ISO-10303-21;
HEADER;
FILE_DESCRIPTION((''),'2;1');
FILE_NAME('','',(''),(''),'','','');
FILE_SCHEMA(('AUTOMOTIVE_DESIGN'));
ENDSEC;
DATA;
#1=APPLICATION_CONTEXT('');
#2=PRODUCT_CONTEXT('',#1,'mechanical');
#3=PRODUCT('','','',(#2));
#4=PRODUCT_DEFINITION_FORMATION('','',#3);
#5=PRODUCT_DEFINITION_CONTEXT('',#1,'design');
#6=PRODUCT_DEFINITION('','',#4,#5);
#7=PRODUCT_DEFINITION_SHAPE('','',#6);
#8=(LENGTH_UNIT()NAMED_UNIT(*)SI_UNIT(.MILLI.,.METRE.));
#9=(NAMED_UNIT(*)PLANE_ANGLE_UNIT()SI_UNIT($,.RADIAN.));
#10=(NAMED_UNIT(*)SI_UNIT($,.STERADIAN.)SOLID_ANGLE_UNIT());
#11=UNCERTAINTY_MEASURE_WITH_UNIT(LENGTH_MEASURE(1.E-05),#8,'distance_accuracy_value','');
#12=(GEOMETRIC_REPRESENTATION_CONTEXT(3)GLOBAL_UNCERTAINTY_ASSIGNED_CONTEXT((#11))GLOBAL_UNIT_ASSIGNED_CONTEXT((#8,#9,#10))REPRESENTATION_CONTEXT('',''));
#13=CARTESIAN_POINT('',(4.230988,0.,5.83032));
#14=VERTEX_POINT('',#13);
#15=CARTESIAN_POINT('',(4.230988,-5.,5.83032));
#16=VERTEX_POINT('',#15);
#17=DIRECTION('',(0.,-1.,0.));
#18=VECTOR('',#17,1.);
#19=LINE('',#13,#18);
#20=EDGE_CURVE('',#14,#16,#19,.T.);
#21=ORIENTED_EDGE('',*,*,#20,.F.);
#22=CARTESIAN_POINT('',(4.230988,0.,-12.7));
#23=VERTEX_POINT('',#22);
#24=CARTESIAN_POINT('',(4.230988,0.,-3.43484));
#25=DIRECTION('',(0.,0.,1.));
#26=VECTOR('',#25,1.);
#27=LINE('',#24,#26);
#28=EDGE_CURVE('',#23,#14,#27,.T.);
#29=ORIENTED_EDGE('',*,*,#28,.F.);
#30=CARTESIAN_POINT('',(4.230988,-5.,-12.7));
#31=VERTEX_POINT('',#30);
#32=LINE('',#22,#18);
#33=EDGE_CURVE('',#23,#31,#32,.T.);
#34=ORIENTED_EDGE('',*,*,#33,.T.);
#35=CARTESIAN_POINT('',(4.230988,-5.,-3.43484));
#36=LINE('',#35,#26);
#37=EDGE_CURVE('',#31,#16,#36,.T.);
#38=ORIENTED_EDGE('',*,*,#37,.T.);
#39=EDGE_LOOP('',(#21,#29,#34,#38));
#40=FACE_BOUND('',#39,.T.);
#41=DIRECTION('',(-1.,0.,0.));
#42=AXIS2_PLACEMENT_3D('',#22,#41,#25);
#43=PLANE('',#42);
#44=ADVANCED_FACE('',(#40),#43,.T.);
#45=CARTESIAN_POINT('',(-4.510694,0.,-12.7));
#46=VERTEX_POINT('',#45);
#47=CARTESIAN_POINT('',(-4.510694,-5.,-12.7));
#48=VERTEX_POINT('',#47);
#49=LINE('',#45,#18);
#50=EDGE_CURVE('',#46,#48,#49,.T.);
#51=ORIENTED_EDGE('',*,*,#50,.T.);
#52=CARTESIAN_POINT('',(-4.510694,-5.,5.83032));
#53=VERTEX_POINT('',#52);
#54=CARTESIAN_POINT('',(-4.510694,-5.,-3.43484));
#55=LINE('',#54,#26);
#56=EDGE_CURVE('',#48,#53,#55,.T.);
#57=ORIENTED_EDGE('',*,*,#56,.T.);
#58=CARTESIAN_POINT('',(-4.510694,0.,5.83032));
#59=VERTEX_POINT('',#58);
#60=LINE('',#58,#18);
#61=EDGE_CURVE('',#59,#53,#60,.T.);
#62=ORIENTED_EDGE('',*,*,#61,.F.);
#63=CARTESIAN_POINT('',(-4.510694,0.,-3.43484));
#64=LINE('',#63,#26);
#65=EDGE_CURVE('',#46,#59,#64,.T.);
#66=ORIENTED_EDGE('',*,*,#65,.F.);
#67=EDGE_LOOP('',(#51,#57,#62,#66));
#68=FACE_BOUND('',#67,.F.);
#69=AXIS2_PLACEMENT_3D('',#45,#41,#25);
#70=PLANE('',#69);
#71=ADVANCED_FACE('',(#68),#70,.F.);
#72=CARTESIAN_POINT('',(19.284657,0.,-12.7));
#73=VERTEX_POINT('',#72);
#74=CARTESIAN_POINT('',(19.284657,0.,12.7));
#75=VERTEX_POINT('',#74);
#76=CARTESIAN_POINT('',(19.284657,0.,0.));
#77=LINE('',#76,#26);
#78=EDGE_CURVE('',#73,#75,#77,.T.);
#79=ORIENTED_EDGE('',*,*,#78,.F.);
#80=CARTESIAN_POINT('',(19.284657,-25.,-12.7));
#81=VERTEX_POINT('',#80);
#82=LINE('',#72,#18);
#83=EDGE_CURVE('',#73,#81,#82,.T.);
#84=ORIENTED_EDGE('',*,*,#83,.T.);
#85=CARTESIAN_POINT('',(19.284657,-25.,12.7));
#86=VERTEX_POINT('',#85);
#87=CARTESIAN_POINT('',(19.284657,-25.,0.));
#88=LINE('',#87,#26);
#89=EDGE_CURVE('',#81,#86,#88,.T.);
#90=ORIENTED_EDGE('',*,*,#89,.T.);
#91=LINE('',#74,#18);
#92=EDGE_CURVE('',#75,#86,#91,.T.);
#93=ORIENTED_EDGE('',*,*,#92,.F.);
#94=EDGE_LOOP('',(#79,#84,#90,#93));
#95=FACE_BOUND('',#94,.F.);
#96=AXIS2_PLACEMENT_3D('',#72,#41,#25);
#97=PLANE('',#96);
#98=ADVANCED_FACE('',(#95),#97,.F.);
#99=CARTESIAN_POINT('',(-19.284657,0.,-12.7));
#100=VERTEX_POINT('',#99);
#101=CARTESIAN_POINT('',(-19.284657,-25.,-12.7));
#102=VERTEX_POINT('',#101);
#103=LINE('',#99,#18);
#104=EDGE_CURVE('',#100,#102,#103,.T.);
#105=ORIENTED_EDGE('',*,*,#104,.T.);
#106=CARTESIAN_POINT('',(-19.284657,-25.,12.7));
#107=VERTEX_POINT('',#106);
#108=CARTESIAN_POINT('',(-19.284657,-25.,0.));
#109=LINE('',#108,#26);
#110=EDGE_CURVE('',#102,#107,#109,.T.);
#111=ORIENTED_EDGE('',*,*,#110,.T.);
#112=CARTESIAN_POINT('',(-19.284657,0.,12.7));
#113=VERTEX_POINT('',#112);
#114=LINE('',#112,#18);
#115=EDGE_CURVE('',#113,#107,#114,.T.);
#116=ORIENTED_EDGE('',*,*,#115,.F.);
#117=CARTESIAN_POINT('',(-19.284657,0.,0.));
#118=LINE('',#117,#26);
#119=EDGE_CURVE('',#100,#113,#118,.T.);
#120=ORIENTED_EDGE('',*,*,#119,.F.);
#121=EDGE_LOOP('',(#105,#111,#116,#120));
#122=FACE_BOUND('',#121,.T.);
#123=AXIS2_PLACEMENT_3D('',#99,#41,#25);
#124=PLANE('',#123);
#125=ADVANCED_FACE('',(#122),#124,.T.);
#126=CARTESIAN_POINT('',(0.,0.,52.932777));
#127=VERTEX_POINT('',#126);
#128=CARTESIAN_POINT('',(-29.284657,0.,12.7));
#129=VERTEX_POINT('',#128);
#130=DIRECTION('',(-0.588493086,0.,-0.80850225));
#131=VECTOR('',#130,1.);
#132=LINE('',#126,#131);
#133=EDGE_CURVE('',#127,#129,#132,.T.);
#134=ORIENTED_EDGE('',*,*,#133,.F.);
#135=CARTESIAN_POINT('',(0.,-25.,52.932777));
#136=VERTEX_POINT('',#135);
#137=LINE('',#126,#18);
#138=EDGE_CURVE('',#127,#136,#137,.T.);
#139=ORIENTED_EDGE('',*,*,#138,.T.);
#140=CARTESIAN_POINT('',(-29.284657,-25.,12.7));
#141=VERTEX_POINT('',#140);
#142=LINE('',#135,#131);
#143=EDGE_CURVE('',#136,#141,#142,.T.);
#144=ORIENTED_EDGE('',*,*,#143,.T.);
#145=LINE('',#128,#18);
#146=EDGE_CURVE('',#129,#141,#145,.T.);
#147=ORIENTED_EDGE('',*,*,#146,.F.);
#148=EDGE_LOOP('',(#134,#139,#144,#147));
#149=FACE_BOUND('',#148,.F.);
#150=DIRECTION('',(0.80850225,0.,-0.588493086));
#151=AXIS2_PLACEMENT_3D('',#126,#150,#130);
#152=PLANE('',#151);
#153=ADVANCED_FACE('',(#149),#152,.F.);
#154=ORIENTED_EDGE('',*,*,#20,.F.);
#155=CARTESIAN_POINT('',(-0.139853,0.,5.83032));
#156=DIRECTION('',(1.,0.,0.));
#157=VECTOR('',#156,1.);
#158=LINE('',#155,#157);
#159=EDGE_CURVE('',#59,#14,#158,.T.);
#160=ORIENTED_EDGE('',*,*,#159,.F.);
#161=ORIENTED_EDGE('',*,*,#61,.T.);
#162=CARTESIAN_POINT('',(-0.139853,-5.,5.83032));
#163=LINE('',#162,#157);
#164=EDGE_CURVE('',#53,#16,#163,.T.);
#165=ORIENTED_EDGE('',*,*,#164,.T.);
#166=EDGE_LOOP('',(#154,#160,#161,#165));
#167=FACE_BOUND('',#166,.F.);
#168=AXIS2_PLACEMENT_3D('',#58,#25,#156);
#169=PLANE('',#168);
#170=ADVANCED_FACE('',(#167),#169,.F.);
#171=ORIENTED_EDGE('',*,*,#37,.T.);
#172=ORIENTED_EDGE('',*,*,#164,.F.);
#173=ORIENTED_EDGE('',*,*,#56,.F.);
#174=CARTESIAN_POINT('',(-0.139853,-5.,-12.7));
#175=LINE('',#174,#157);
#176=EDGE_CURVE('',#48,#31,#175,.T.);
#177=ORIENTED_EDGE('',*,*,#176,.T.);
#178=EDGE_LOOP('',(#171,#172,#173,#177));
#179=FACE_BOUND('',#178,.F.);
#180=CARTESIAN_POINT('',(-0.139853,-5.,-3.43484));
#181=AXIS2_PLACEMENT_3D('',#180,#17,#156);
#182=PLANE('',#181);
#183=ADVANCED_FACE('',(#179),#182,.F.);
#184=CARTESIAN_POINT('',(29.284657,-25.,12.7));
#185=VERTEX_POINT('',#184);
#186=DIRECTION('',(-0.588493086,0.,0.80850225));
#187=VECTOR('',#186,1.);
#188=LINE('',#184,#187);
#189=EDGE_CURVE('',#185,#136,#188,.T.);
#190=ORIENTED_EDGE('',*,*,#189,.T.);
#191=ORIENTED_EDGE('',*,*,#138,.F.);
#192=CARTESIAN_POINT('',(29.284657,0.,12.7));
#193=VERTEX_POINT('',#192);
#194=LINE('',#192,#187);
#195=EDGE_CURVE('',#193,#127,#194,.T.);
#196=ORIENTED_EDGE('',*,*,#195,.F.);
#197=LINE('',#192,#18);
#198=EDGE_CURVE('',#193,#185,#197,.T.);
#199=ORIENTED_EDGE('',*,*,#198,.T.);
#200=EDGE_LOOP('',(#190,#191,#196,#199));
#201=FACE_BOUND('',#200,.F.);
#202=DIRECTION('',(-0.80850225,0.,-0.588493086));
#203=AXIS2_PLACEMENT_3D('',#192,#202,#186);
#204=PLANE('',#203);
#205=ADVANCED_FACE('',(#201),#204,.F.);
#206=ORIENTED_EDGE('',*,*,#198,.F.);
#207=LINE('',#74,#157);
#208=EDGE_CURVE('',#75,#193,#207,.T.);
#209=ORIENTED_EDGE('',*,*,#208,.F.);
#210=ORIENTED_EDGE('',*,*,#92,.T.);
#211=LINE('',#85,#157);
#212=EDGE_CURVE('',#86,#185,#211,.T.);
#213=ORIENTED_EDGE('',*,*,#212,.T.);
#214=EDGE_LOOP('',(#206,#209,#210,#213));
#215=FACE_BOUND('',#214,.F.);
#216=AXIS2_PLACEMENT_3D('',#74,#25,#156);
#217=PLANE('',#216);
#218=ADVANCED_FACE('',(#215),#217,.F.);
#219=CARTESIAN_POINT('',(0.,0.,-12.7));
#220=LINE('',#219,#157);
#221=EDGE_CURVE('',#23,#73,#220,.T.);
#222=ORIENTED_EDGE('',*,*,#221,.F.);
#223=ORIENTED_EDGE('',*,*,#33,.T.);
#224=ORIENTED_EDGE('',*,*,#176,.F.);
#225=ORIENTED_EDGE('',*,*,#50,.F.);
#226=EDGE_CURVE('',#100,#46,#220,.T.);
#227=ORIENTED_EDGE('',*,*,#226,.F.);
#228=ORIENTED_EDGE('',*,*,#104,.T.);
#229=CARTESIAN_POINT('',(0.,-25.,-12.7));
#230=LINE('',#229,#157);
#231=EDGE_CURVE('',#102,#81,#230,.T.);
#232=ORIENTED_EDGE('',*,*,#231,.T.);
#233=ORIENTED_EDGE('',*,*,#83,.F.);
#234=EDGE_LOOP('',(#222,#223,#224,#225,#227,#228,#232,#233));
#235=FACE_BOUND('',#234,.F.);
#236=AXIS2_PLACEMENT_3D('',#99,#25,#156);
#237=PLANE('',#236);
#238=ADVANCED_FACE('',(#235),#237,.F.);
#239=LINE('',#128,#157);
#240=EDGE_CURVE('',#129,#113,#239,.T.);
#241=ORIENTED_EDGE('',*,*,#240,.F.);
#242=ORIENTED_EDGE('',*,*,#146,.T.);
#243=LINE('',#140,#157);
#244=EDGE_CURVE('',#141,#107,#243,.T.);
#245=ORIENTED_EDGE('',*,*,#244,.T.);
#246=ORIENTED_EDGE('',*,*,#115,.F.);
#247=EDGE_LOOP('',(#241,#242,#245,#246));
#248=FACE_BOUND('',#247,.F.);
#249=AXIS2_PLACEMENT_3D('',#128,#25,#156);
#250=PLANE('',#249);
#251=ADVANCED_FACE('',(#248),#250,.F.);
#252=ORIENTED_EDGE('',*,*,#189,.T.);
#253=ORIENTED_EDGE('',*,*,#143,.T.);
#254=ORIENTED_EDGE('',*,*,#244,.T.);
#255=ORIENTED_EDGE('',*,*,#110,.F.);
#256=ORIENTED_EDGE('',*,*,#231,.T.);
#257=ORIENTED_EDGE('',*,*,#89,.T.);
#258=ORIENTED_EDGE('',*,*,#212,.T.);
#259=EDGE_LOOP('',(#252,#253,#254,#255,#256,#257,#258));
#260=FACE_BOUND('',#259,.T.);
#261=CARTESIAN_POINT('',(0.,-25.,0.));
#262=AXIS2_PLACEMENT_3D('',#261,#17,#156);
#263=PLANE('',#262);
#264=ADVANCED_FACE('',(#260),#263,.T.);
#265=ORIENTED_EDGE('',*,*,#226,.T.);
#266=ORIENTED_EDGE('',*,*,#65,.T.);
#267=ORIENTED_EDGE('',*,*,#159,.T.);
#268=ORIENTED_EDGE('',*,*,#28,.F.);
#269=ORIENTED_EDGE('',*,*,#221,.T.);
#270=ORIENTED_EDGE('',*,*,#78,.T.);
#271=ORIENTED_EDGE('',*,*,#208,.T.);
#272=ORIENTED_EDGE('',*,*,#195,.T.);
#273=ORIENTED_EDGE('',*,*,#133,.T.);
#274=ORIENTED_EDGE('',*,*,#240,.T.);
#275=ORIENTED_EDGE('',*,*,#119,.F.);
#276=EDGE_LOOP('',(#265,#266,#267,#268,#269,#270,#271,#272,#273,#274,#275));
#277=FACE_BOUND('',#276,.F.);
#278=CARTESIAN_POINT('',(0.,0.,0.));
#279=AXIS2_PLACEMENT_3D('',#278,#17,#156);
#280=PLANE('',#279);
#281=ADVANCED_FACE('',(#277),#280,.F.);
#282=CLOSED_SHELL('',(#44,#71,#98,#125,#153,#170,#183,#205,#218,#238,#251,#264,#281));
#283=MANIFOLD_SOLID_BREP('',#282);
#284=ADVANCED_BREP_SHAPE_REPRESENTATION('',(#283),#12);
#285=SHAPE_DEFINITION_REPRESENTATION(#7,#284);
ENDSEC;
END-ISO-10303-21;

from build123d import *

# Parameters (mm, degrees)
F0_W     = 38.569314
F0_H     = 25.4
F2_DEPTH = 25
F1_W     = 8.741682
F1_H     = 18.53032
F3_DEPTH = 5


with BuildPart() as f2:
    # F0 (on Front) → F2 (new body)
    with BuildSketch(Plane.XZ):
        Rectangle(F0_W, F0_H)
        Polygon((-19.284657, 12.7), (19.284657, 12.7), (29.284657, 12.7), (0, 52.932777), (-29.284657, 12.7), align=None)
    extrude(amount=F2_DEPTH)

    # F1 (on Front) → F3 (cut)
    with BuildSketch(Plane.XZ):
        with Locations((-0.139853, -3.43484)):
            Rectangle(F1_W, F1_H)
    extrude(amount=F3_DEPTH, mode=Mode.SUBTRACT)


solid = f2.part
